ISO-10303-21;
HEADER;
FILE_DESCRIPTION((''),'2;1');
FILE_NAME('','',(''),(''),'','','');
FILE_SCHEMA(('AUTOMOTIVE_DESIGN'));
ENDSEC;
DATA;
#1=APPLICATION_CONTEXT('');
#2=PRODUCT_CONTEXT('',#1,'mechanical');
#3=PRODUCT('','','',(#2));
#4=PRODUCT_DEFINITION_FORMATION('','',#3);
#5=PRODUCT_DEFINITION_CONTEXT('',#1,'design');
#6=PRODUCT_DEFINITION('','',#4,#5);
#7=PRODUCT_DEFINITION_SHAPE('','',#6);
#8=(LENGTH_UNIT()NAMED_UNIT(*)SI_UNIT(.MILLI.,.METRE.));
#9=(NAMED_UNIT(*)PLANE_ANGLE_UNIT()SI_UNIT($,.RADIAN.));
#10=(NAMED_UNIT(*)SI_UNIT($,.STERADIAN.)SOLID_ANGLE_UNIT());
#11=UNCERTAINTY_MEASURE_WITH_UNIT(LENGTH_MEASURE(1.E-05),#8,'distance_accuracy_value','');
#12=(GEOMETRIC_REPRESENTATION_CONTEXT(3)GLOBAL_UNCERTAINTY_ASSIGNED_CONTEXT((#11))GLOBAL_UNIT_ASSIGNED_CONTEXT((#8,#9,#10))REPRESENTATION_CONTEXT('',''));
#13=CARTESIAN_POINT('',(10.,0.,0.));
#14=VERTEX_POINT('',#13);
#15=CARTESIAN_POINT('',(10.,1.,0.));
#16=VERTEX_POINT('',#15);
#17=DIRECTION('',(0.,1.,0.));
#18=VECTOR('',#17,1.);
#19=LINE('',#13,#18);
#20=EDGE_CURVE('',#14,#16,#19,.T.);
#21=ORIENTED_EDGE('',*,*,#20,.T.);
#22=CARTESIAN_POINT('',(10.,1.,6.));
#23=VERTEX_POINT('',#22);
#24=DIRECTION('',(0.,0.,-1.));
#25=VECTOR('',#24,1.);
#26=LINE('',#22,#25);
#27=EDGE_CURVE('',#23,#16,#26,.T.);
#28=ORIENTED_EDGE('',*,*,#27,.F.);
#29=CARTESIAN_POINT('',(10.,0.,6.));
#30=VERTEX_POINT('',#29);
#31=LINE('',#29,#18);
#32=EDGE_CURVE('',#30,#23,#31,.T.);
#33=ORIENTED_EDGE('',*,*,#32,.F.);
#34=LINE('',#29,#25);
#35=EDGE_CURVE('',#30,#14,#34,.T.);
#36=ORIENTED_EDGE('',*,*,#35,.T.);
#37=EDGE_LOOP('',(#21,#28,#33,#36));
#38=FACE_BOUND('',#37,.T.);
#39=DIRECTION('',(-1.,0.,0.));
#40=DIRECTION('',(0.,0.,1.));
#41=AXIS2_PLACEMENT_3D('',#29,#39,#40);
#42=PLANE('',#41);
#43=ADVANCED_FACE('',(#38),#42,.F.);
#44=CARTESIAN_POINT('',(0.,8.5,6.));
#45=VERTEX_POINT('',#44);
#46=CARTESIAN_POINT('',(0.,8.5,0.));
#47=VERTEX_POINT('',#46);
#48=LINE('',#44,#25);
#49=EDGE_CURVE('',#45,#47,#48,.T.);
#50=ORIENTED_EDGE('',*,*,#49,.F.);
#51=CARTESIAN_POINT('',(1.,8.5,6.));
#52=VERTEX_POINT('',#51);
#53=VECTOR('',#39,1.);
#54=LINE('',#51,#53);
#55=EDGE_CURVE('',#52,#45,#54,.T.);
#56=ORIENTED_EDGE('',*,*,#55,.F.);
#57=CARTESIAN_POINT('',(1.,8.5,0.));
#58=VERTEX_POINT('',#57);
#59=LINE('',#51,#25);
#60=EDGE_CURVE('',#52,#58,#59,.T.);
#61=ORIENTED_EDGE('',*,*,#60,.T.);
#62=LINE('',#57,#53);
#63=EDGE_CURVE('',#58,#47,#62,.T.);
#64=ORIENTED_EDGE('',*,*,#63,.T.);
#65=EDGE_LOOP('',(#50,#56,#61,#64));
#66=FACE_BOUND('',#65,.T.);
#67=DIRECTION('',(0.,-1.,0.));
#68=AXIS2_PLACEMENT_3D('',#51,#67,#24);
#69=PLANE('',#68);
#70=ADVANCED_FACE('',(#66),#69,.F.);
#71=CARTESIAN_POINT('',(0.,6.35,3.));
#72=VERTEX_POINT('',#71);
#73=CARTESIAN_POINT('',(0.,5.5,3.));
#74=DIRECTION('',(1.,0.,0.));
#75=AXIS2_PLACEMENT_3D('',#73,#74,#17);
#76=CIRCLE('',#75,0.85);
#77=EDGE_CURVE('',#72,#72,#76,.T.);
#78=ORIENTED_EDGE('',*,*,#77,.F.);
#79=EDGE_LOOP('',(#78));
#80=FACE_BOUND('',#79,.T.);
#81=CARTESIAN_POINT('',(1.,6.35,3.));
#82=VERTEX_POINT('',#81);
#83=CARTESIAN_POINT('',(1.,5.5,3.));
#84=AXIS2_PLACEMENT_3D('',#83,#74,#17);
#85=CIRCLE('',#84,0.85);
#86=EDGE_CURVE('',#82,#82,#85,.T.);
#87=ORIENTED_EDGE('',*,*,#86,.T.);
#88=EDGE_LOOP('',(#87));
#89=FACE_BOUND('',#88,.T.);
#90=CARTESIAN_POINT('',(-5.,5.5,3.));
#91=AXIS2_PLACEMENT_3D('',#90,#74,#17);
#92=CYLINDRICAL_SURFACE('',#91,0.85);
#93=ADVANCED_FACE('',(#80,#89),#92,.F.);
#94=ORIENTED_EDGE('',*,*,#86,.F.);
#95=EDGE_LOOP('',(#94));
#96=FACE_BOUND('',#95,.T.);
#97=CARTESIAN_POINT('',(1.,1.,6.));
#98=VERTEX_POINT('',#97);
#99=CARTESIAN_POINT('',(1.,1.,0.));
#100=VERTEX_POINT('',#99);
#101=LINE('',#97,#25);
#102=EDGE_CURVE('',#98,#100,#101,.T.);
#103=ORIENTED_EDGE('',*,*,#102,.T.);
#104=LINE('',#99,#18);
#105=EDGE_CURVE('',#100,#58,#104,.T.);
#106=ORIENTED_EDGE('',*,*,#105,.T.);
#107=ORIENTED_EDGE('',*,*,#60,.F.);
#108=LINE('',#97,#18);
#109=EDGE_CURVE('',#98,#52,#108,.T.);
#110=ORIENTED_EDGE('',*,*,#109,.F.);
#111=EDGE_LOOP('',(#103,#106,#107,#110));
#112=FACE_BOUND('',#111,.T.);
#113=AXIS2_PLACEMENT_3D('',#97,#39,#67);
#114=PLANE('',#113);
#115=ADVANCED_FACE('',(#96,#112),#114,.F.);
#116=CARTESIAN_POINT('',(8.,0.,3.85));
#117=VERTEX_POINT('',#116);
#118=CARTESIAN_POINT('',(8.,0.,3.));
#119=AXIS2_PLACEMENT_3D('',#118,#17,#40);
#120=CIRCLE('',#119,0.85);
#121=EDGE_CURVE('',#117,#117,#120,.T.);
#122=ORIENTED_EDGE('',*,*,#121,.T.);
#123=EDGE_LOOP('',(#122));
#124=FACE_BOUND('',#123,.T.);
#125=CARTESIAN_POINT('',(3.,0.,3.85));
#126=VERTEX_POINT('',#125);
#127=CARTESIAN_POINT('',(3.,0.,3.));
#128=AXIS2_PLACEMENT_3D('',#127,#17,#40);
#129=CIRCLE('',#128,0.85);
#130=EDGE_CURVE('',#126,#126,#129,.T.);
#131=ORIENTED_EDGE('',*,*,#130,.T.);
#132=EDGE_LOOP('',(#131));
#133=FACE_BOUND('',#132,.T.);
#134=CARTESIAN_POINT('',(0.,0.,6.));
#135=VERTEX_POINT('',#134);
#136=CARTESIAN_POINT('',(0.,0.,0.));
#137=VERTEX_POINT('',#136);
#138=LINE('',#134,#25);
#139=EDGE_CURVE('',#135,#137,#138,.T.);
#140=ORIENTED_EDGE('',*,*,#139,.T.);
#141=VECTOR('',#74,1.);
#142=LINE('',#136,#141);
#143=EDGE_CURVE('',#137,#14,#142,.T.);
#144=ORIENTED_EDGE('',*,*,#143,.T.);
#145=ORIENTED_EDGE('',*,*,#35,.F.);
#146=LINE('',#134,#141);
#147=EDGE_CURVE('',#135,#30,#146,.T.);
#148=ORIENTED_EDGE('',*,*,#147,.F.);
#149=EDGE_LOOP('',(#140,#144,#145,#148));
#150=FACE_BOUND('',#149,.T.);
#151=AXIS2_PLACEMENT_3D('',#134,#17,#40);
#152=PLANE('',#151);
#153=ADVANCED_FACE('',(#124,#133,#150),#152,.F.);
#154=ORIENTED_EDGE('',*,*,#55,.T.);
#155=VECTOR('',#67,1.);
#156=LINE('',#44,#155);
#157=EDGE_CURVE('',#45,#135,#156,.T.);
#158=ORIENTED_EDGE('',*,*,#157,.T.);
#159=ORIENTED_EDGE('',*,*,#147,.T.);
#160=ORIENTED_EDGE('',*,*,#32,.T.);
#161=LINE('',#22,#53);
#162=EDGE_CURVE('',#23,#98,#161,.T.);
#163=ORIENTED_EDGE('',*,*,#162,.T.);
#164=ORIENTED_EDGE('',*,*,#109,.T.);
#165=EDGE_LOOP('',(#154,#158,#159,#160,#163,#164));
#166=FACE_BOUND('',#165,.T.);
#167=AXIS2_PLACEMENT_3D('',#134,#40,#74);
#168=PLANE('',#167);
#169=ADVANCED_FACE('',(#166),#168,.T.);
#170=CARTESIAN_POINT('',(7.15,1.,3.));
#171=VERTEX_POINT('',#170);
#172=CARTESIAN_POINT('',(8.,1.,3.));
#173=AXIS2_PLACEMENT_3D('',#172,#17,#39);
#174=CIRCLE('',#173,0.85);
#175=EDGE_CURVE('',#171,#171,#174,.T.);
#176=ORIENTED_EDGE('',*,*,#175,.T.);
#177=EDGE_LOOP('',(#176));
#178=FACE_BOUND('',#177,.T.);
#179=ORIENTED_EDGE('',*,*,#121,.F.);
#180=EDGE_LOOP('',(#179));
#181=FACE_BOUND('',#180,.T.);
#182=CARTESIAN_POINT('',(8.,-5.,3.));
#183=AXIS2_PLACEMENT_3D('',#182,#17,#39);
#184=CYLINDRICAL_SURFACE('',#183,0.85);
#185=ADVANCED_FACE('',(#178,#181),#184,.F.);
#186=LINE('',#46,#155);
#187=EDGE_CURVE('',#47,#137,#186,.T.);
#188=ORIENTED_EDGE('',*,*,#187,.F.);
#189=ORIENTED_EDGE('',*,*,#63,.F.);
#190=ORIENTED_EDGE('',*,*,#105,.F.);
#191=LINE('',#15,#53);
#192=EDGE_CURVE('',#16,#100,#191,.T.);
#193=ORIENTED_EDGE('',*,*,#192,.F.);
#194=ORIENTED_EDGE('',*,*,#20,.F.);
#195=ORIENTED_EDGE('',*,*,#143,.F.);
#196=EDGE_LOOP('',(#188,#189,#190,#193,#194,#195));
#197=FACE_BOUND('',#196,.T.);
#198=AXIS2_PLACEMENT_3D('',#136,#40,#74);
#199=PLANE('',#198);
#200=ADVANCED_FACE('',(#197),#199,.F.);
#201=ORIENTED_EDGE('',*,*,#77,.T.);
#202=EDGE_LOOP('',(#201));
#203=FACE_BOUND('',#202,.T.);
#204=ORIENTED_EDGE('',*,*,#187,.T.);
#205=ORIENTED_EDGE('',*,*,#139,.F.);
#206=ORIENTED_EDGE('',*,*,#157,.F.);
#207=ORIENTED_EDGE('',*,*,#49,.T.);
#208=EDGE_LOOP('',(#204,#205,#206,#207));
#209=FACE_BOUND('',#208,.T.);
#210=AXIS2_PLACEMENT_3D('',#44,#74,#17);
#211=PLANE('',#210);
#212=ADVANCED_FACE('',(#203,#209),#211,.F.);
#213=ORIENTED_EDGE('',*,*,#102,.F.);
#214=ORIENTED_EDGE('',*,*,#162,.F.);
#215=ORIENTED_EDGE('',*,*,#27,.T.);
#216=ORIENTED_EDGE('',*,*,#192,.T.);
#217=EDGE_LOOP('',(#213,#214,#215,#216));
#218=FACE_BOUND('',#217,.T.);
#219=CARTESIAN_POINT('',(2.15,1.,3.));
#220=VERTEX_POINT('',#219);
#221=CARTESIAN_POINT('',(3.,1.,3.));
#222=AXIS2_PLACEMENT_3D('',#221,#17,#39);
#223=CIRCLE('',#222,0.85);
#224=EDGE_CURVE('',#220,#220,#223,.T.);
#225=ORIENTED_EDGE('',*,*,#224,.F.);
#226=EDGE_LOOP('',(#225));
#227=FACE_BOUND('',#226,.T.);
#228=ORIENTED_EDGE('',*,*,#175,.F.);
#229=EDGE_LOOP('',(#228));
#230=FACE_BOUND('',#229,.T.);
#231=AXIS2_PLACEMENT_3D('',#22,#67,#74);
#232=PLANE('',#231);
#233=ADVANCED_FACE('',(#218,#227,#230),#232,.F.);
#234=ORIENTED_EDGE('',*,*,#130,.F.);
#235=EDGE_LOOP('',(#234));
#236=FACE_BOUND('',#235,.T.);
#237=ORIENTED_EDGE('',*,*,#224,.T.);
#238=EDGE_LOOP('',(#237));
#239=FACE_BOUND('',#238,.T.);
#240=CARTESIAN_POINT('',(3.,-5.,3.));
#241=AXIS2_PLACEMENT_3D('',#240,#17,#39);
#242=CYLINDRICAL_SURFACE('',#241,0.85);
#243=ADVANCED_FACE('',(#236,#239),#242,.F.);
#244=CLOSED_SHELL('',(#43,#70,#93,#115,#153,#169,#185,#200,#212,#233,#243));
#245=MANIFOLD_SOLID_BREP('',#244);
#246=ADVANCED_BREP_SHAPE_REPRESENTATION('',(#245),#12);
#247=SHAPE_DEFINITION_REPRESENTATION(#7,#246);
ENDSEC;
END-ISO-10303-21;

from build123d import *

# Parameters (mm, degrees)
BOSS_EXTRUDE2_DEPTH = 6
SKETCH4_R           = 0.85
CUT_EXTRUDE1_DEPTH  = 6
SKETCH6_R           = 0.85
CUT_EXTRUDE2_DEPTH  = 6


with BuildPart() as part:
    # Sketch3 → Boss-Extrude2 (new body)
    with BuildSketch(Plane.XY):
        Polygon((0, 0), (10, 0), (10, 1), (1, 1), (1, 8.5), (0, 8.5), align=None)
    extrude(amount=BOSS_EXTRUDE2_DEPTH)

    # Sketch4 → Cut-Extrude1 (cut)
    with BuildSketch(Plane(origin=(1, 0, 0), x_dir=(0, 0, -1), z_dir=(1, 0, 0))):
        with Locations(Location((-3, 5.5, 0), (0, 0, 90))):
            Circle(SKETCH4_R)
    extrude(amount=-CUT_EXTRUDE1_DEPTH, mode=Mode.SUBTRACT)

    # Sketch6 → Cut-Extrude2 (cut)
    with BuildSketch(Plane(origin=(0, 1, 0), x_dir=(1, 0, 0), z_dir=(0, 1, 0))):
        with Locations(Location((3, -3, 0), (0, 0, 180))):
            Circle(SKETCH6_R)
        with Locations(Location((8, -3, 0), (0, 0, 180))):
            Circle(SKETCH6_R)
    extrude(amount=-CUT_EXTRUDE2_DEPTH, mode=Mode.SUBTRACT)


solid = part.part
